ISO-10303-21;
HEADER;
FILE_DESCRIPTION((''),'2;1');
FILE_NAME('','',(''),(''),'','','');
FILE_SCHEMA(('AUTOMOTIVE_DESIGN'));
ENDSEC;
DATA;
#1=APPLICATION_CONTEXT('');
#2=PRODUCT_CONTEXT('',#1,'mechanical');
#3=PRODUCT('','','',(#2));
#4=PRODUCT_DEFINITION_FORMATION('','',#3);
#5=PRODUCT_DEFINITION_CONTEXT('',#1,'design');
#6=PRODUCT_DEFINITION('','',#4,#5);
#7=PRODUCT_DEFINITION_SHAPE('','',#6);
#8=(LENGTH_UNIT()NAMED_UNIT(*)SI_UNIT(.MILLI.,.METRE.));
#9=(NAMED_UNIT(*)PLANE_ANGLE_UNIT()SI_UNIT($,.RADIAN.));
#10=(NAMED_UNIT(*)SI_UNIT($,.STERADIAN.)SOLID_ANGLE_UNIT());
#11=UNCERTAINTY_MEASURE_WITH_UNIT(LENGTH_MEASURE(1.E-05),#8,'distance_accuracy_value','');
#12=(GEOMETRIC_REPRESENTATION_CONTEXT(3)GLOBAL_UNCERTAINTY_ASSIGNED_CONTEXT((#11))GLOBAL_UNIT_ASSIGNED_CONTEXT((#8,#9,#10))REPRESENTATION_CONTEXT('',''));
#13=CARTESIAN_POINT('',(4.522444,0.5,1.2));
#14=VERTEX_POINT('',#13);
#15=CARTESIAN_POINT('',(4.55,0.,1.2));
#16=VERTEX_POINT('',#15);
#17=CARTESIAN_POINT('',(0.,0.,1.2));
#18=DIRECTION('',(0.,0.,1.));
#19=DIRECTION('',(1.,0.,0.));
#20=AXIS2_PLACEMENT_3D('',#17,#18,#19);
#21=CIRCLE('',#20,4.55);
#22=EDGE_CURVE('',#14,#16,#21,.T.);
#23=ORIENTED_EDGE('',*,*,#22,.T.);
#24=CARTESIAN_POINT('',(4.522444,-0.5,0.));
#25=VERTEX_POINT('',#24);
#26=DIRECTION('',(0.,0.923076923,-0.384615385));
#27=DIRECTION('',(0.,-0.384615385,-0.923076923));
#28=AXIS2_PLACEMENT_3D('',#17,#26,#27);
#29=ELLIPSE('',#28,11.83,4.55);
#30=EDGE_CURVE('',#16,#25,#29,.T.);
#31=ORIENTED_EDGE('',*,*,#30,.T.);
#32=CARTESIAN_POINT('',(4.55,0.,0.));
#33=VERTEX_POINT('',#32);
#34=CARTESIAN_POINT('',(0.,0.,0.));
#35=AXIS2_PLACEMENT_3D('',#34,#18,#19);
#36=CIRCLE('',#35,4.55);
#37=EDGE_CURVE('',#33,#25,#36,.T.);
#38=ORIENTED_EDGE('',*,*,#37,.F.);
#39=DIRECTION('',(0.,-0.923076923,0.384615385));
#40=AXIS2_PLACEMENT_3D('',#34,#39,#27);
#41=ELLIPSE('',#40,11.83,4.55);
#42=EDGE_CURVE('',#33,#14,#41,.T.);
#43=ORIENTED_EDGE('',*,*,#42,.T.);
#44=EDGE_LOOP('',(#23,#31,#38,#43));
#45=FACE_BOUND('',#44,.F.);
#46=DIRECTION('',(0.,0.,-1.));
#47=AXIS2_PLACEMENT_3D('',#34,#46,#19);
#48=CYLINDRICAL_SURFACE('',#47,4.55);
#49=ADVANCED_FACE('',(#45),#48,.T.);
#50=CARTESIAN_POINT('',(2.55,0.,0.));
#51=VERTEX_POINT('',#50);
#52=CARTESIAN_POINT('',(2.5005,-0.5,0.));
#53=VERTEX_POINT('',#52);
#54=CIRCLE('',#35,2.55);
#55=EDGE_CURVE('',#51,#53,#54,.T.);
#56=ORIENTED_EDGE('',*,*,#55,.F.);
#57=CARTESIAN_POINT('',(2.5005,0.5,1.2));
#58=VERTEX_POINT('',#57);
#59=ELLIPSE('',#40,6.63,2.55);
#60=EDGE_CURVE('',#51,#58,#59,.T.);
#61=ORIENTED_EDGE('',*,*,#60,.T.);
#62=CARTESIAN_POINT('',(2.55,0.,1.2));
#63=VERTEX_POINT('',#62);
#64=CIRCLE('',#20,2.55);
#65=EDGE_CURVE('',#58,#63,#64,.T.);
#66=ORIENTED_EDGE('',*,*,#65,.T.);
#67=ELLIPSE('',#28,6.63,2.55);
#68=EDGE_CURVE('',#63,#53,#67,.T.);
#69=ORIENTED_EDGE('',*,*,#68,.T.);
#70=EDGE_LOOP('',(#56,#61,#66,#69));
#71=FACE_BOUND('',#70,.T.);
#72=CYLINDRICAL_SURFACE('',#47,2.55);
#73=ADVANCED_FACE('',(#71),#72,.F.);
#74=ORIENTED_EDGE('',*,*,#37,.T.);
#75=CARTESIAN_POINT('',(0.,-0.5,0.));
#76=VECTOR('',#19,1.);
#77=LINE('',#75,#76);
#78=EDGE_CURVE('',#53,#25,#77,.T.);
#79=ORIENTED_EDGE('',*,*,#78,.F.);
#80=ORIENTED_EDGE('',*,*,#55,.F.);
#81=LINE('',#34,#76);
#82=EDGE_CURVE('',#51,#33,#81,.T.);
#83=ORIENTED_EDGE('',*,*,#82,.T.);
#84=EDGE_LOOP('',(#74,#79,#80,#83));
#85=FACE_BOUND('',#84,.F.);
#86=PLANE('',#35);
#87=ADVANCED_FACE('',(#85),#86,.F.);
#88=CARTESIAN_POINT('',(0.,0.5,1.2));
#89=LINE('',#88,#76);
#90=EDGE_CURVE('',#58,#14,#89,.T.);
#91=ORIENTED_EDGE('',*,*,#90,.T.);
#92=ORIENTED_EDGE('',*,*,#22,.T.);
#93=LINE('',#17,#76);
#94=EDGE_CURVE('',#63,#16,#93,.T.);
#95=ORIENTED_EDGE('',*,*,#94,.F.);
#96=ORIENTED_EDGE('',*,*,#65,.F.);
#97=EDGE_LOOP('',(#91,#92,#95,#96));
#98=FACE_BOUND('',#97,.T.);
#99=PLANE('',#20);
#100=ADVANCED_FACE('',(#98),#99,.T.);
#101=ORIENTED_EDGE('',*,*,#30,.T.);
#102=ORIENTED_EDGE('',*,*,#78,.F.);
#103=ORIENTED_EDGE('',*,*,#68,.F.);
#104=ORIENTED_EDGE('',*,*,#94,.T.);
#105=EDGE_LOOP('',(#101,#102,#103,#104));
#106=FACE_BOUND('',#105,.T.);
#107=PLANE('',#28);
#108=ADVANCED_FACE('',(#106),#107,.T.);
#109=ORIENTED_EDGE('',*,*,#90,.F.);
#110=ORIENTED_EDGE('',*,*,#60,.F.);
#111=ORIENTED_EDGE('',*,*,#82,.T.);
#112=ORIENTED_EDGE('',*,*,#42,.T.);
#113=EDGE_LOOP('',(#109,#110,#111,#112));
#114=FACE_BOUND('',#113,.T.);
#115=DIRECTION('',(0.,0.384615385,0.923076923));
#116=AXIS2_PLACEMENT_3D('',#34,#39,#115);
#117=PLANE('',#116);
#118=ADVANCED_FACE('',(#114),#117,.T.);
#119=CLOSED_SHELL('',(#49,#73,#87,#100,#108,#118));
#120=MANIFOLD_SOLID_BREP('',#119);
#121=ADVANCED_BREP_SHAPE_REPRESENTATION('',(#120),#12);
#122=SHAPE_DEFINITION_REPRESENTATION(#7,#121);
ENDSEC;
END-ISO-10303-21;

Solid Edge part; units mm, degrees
sketch "Sketch1" plane through (0, 0, 0) normal (0, 0, 1) x (1, 0, 0)
  circle A0 centre (0, 0) radius 2.55
  circle A1 centre (0, 0) radius 4.55
extrude "Protrusion1" add sketch "Sketch1" along normal blind 1.2
sketch "Sketch2" plane through (0, 0, 0) normal (1, 0, 0) x (0, 1, 0)
  line L0 (0, 0) -> (0.5, 1.2)
  line L1 (0.5, 1.2) -> (0, 1.2)
  line L2 (0, 1.2) -> (-0.5, 0)
  line L3 (-0.5, 0) -> (0, 0)
extrude "ExtrudedCutout_1" cut sketch "Sketch2" along normal blind 10.7517
properties material "Steel"
